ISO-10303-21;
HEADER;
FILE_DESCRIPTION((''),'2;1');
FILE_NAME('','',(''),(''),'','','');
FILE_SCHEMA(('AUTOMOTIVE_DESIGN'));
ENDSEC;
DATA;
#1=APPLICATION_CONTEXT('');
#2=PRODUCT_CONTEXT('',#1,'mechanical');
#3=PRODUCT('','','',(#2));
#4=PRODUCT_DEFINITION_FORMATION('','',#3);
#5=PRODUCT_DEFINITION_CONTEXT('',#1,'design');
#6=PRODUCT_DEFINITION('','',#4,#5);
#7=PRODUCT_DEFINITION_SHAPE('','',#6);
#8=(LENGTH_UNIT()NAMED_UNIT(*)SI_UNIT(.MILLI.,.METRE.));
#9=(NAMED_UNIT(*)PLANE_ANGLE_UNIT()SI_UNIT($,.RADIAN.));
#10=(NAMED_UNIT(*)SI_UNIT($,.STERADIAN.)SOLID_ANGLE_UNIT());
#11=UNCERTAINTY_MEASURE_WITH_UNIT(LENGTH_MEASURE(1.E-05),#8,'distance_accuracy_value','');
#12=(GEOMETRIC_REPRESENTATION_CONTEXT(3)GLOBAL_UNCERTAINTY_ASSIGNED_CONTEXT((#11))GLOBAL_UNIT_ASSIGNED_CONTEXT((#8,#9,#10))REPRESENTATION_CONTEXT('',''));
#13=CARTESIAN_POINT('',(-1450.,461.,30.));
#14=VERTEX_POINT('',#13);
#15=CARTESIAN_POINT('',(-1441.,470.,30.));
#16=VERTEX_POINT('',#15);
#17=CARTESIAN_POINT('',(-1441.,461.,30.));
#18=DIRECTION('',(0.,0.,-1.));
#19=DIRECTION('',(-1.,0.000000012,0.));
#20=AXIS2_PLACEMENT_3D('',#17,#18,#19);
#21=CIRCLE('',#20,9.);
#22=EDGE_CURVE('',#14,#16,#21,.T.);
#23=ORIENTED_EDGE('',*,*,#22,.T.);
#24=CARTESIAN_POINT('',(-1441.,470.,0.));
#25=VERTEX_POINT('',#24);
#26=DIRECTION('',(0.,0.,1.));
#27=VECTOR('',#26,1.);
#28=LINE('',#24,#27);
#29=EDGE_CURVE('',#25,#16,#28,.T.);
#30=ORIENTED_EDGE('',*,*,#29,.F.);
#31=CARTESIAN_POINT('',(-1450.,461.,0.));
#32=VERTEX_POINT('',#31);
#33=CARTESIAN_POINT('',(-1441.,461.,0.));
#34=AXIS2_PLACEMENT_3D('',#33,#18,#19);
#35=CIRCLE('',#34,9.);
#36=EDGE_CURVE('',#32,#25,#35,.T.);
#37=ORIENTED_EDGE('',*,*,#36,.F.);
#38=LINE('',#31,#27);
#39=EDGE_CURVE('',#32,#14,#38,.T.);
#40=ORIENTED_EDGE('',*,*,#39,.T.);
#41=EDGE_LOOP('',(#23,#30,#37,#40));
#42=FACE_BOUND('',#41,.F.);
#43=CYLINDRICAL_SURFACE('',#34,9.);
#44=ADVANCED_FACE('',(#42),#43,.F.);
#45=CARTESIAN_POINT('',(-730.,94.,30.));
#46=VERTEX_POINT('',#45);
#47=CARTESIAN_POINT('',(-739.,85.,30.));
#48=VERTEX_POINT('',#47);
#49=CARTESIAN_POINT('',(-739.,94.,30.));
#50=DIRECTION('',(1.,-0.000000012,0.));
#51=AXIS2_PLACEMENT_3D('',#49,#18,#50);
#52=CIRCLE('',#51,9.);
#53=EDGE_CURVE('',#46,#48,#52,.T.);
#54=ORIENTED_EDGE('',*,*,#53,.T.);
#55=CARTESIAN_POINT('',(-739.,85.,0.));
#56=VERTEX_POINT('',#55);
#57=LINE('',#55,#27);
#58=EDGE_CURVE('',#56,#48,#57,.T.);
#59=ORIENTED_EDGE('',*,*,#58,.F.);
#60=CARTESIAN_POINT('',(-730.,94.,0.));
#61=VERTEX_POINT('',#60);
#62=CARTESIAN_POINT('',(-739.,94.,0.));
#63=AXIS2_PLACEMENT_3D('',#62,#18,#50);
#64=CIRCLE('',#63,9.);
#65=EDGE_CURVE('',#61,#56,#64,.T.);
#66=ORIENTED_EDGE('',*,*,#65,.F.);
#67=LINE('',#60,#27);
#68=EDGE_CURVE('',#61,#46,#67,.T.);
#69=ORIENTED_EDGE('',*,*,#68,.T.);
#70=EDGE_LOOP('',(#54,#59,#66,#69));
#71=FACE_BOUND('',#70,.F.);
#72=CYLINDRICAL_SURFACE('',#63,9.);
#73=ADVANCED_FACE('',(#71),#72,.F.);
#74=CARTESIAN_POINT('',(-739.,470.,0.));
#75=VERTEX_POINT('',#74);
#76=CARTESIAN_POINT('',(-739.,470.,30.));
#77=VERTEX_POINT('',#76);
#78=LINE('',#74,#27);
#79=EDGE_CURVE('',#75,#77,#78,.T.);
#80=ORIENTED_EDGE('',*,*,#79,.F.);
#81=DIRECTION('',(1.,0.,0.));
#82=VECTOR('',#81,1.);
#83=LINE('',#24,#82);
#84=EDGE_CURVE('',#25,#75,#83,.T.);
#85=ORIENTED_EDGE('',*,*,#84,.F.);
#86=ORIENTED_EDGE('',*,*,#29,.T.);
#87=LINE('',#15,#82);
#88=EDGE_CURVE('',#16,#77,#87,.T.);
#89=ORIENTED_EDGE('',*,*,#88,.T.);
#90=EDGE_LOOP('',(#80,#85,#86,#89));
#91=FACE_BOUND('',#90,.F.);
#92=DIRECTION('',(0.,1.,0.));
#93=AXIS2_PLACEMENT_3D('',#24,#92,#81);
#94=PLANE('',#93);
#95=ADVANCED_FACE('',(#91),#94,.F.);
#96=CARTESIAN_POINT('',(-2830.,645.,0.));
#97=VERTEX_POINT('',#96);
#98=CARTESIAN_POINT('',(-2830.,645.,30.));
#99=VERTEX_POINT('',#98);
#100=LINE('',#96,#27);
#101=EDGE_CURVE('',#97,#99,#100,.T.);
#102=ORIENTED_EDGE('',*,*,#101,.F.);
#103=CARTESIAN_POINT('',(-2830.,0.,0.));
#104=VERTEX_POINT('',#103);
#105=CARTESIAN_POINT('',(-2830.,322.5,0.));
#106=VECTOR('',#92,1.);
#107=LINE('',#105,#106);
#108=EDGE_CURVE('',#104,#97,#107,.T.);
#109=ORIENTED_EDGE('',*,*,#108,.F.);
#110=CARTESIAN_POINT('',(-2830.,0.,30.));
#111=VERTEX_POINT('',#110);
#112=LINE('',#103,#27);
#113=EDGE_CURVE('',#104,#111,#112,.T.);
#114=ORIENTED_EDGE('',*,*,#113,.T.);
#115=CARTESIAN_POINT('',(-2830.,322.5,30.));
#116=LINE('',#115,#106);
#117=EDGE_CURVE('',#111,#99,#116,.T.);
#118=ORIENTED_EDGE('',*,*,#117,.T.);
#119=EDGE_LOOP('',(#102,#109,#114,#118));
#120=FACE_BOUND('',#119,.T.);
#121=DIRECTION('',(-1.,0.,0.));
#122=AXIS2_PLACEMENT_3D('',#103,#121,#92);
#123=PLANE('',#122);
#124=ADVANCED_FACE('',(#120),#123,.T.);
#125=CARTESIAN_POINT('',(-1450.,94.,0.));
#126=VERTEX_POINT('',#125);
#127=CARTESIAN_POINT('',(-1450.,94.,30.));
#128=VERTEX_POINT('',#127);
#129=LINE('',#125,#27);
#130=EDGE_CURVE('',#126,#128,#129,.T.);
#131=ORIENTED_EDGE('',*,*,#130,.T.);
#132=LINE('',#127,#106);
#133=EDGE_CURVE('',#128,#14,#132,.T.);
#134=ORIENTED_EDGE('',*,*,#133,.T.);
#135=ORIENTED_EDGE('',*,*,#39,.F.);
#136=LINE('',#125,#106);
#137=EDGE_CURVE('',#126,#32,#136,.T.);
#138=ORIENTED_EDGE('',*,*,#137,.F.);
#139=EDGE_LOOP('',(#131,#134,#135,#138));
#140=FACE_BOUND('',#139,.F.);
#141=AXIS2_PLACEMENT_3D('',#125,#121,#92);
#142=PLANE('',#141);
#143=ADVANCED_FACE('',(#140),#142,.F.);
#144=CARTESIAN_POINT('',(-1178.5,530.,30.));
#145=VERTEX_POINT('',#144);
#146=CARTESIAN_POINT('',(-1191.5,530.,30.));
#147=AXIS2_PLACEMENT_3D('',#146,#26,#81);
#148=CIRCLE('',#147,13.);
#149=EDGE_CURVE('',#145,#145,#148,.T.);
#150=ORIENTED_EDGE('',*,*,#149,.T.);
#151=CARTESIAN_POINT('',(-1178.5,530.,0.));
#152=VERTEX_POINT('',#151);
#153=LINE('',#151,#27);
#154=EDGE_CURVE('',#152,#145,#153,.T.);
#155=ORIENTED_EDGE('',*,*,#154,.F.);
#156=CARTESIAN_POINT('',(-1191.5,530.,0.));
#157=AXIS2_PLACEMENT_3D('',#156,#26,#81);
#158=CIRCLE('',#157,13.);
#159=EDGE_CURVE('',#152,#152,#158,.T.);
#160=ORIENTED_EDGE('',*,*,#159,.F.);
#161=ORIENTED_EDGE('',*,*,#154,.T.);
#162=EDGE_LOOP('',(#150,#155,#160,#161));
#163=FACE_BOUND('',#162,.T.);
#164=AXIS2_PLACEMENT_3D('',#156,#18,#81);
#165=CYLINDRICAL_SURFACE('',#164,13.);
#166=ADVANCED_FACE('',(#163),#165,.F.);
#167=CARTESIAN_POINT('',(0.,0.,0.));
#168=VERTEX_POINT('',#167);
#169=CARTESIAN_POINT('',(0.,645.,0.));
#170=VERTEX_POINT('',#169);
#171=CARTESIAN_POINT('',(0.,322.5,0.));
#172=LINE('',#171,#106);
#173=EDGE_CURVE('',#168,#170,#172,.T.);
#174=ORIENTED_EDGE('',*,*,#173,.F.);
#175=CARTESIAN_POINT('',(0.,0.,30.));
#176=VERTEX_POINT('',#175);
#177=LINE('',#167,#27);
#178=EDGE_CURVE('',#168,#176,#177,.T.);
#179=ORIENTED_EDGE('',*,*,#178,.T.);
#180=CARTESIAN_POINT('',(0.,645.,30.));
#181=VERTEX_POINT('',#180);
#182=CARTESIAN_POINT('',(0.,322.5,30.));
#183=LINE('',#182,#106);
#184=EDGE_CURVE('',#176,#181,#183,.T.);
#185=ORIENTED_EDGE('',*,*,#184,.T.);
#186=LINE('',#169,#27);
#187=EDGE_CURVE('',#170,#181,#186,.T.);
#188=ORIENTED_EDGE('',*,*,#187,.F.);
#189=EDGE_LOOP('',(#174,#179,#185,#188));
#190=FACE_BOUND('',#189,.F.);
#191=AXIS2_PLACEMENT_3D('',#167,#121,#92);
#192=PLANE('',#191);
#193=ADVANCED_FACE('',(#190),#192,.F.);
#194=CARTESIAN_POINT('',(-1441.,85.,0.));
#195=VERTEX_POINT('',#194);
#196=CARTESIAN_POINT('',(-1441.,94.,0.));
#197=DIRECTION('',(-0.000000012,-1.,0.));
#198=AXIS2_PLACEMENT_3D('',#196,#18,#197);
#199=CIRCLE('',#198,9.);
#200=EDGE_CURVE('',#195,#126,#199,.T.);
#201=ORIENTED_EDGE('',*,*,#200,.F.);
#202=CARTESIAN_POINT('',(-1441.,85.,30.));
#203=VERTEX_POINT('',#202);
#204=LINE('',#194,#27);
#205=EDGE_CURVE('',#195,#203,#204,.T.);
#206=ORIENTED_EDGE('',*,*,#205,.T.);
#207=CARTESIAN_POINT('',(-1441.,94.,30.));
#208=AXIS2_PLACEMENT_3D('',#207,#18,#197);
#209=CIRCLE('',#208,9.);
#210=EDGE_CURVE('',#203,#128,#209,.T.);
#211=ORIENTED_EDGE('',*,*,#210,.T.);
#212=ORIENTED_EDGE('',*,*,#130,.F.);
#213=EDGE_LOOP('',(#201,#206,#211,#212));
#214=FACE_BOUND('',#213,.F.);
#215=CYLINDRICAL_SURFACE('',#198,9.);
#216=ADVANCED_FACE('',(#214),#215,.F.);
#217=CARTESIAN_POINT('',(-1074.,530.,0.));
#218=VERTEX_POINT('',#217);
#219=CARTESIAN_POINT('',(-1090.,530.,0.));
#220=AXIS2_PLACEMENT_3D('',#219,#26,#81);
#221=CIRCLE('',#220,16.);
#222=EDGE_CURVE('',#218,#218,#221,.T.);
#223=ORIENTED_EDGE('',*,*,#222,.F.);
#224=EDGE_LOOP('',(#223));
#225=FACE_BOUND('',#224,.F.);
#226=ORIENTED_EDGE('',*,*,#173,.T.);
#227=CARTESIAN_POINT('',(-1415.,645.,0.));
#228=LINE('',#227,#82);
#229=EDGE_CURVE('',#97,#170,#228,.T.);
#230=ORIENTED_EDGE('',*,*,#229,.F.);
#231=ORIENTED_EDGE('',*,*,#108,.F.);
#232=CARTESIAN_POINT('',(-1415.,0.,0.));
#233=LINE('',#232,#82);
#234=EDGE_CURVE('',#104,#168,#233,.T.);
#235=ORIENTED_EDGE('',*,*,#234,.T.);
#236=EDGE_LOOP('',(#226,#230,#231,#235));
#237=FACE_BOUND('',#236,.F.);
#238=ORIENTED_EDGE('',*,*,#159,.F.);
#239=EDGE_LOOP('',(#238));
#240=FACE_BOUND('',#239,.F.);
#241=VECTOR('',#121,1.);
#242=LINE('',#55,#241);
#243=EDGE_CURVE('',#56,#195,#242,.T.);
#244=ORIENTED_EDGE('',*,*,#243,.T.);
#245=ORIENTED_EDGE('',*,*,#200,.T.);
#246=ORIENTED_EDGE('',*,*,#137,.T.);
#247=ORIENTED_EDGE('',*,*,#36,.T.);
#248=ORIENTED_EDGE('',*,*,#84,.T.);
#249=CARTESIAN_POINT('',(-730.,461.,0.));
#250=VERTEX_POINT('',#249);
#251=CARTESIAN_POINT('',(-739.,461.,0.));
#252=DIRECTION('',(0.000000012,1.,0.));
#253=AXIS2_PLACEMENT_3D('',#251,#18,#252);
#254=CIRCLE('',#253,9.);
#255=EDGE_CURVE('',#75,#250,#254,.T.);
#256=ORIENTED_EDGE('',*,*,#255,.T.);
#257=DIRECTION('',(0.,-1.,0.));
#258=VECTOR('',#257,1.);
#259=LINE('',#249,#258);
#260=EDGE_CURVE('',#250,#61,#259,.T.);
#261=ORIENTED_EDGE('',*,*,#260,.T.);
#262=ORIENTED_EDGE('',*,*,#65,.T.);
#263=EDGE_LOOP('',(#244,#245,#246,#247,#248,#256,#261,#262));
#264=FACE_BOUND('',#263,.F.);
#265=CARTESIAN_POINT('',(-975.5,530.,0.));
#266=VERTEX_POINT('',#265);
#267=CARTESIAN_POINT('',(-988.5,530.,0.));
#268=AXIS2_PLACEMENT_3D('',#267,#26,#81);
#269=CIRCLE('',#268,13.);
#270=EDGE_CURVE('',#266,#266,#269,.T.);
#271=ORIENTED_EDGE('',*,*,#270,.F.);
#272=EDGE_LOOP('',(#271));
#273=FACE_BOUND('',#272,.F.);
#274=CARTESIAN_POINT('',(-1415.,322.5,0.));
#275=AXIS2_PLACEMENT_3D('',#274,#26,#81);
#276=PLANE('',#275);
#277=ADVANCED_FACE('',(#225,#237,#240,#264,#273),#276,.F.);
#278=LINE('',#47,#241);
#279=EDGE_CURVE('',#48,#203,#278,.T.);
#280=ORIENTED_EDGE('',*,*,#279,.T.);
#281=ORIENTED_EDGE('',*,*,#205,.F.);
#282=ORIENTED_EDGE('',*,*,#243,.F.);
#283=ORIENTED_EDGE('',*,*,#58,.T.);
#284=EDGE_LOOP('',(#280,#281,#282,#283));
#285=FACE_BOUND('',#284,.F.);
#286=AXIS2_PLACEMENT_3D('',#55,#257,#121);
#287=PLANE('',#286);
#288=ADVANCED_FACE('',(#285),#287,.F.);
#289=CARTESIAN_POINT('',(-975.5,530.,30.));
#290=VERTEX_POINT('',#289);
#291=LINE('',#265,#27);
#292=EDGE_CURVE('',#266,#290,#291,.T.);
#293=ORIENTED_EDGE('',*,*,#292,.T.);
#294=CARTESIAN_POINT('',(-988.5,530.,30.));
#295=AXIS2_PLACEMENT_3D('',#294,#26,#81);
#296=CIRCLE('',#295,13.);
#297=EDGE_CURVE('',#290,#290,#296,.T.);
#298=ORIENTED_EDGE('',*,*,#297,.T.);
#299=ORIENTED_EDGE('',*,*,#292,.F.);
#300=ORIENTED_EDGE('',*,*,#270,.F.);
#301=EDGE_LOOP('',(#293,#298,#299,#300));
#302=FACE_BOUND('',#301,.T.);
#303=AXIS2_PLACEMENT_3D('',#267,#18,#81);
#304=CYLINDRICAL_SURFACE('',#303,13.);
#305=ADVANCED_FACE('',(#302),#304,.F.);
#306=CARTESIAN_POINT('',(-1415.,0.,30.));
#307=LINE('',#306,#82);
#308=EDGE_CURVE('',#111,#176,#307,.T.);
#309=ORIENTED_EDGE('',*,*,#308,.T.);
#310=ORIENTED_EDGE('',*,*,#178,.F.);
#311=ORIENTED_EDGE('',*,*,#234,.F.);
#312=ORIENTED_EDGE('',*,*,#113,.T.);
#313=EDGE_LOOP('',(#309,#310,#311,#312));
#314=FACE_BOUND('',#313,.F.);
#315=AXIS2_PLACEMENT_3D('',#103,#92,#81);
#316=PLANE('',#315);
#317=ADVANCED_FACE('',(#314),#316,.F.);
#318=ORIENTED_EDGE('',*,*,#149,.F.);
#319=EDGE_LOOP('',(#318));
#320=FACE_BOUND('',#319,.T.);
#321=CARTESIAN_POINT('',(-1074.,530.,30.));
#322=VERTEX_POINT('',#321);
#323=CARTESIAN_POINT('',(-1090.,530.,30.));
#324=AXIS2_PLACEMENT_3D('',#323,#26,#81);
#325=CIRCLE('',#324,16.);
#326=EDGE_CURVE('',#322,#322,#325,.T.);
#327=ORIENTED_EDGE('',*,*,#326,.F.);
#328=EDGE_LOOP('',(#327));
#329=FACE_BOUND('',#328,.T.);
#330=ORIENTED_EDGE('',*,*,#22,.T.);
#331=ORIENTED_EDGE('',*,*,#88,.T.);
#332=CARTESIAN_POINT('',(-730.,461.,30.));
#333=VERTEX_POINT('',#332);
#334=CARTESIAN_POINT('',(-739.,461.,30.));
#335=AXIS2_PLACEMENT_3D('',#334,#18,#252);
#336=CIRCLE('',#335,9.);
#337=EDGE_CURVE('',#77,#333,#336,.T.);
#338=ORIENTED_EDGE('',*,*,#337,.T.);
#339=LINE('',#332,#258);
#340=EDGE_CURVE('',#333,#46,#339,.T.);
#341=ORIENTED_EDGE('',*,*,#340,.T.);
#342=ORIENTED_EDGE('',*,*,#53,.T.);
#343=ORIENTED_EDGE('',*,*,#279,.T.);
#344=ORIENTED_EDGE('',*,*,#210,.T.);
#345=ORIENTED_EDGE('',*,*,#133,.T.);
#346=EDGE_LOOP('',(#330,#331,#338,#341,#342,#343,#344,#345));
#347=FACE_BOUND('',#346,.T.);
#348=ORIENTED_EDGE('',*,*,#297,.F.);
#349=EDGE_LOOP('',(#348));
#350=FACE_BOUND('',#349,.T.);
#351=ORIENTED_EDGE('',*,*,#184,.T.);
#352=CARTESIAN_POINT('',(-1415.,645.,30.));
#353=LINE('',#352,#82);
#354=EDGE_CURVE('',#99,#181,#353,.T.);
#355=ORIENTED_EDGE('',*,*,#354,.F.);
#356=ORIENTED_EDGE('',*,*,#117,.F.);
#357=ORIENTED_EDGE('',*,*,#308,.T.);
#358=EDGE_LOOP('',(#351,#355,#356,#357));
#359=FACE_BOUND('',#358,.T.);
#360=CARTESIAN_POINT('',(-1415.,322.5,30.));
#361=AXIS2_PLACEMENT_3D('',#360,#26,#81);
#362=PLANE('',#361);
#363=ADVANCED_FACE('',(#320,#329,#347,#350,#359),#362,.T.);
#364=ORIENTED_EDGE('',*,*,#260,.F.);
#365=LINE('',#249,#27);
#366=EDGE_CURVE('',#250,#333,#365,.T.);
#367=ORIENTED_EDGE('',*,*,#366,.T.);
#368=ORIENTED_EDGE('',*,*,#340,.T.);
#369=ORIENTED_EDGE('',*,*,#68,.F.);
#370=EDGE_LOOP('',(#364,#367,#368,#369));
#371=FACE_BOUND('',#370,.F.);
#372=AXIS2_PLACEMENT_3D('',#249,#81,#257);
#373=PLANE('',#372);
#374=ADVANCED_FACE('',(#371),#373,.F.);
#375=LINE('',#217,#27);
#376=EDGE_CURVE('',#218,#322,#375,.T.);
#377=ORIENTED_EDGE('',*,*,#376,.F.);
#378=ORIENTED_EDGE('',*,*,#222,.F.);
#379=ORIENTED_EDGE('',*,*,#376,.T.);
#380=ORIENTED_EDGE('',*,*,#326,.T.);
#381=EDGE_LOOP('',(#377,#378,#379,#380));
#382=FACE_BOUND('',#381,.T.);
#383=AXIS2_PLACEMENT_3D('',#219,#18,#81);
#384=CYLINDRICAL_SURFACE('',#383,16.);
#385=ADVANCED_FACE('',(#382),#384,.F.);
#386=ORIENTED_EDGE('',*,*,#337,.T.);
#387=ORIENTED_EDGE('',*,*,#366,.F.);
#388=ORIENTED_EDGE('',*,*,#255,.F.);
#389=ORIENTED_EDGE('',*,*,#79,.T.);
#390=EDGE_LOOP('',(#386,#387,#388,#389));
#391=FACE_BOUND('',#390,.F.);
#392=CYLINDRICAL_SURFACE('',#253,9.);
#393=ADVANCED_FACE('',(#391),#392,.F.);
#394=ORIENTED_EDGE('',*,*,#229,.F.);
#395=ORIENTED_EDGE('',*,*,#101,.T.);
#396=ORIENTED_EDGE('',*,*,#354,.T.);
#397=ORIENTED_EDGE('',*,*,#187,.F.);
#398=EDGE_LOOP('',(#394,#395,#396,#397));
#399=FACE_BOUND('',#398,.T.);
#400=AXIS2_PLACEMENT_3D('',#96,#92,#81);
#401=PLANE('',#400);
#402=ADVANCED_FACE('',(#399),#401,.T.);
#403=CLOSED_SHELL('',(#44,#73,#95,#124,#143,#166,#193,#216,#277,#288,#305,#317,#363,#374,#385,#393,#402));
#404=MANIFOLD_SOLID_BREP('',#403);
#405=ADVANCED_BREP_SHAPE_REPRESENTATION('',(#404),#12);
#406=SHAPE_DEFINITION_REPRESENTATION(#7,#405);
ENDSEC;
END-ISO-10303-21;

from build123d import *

# Parameters (mm, degrees)
F0_W     = 2830
F0_H     = 645
F0_R     = 13
F0_R_2   = 16
F1_DEPTH = 30


with BuildPart() as f1:
    # F0 (on Top) → F1 (new body)
    with BuildSketch(Plane.XY):
        with Locations((-1415, 322.5)):
            Rectangle(F0_W, F0_H)
        with BuildLine():
            ThreePointArc((-1450, 461), (-1447.363961, 467.363961), (-1441, 470))
            Line((-1441, 470), (-739, 470))
            ThreePointArc((-739, 470), (-732.636039, 467.363961), (-730, 461))
            Line((-730, 461), (-730, 94))
            ThreePointArc((-730, 94), (-732.636039, 87.636039), (-739, 85))
            Line((-739, 85), (-1441, 85))
            ThreePointArc((-1441, 85), (-1447.363961, 87.636039), (-1450, 94))
            Line((-1450, 94), (-1450, 461))
        make_face(mode=Mode.SUBTRACT)
        with Locations((-1191.5, 530)):
            Circle(F0_R, mode=Mode.SUBTRACT)
        with Locations((-1090, 530)):
            Circle(F0_R_2, mode=Mode.SUBTRACT)
        with Locations((-988.5, 530)):
            Circle(F0_R, mode=Mode.SUBTRACT)
    extrude(amount=F1_DEPTH)


solid = f1.part
